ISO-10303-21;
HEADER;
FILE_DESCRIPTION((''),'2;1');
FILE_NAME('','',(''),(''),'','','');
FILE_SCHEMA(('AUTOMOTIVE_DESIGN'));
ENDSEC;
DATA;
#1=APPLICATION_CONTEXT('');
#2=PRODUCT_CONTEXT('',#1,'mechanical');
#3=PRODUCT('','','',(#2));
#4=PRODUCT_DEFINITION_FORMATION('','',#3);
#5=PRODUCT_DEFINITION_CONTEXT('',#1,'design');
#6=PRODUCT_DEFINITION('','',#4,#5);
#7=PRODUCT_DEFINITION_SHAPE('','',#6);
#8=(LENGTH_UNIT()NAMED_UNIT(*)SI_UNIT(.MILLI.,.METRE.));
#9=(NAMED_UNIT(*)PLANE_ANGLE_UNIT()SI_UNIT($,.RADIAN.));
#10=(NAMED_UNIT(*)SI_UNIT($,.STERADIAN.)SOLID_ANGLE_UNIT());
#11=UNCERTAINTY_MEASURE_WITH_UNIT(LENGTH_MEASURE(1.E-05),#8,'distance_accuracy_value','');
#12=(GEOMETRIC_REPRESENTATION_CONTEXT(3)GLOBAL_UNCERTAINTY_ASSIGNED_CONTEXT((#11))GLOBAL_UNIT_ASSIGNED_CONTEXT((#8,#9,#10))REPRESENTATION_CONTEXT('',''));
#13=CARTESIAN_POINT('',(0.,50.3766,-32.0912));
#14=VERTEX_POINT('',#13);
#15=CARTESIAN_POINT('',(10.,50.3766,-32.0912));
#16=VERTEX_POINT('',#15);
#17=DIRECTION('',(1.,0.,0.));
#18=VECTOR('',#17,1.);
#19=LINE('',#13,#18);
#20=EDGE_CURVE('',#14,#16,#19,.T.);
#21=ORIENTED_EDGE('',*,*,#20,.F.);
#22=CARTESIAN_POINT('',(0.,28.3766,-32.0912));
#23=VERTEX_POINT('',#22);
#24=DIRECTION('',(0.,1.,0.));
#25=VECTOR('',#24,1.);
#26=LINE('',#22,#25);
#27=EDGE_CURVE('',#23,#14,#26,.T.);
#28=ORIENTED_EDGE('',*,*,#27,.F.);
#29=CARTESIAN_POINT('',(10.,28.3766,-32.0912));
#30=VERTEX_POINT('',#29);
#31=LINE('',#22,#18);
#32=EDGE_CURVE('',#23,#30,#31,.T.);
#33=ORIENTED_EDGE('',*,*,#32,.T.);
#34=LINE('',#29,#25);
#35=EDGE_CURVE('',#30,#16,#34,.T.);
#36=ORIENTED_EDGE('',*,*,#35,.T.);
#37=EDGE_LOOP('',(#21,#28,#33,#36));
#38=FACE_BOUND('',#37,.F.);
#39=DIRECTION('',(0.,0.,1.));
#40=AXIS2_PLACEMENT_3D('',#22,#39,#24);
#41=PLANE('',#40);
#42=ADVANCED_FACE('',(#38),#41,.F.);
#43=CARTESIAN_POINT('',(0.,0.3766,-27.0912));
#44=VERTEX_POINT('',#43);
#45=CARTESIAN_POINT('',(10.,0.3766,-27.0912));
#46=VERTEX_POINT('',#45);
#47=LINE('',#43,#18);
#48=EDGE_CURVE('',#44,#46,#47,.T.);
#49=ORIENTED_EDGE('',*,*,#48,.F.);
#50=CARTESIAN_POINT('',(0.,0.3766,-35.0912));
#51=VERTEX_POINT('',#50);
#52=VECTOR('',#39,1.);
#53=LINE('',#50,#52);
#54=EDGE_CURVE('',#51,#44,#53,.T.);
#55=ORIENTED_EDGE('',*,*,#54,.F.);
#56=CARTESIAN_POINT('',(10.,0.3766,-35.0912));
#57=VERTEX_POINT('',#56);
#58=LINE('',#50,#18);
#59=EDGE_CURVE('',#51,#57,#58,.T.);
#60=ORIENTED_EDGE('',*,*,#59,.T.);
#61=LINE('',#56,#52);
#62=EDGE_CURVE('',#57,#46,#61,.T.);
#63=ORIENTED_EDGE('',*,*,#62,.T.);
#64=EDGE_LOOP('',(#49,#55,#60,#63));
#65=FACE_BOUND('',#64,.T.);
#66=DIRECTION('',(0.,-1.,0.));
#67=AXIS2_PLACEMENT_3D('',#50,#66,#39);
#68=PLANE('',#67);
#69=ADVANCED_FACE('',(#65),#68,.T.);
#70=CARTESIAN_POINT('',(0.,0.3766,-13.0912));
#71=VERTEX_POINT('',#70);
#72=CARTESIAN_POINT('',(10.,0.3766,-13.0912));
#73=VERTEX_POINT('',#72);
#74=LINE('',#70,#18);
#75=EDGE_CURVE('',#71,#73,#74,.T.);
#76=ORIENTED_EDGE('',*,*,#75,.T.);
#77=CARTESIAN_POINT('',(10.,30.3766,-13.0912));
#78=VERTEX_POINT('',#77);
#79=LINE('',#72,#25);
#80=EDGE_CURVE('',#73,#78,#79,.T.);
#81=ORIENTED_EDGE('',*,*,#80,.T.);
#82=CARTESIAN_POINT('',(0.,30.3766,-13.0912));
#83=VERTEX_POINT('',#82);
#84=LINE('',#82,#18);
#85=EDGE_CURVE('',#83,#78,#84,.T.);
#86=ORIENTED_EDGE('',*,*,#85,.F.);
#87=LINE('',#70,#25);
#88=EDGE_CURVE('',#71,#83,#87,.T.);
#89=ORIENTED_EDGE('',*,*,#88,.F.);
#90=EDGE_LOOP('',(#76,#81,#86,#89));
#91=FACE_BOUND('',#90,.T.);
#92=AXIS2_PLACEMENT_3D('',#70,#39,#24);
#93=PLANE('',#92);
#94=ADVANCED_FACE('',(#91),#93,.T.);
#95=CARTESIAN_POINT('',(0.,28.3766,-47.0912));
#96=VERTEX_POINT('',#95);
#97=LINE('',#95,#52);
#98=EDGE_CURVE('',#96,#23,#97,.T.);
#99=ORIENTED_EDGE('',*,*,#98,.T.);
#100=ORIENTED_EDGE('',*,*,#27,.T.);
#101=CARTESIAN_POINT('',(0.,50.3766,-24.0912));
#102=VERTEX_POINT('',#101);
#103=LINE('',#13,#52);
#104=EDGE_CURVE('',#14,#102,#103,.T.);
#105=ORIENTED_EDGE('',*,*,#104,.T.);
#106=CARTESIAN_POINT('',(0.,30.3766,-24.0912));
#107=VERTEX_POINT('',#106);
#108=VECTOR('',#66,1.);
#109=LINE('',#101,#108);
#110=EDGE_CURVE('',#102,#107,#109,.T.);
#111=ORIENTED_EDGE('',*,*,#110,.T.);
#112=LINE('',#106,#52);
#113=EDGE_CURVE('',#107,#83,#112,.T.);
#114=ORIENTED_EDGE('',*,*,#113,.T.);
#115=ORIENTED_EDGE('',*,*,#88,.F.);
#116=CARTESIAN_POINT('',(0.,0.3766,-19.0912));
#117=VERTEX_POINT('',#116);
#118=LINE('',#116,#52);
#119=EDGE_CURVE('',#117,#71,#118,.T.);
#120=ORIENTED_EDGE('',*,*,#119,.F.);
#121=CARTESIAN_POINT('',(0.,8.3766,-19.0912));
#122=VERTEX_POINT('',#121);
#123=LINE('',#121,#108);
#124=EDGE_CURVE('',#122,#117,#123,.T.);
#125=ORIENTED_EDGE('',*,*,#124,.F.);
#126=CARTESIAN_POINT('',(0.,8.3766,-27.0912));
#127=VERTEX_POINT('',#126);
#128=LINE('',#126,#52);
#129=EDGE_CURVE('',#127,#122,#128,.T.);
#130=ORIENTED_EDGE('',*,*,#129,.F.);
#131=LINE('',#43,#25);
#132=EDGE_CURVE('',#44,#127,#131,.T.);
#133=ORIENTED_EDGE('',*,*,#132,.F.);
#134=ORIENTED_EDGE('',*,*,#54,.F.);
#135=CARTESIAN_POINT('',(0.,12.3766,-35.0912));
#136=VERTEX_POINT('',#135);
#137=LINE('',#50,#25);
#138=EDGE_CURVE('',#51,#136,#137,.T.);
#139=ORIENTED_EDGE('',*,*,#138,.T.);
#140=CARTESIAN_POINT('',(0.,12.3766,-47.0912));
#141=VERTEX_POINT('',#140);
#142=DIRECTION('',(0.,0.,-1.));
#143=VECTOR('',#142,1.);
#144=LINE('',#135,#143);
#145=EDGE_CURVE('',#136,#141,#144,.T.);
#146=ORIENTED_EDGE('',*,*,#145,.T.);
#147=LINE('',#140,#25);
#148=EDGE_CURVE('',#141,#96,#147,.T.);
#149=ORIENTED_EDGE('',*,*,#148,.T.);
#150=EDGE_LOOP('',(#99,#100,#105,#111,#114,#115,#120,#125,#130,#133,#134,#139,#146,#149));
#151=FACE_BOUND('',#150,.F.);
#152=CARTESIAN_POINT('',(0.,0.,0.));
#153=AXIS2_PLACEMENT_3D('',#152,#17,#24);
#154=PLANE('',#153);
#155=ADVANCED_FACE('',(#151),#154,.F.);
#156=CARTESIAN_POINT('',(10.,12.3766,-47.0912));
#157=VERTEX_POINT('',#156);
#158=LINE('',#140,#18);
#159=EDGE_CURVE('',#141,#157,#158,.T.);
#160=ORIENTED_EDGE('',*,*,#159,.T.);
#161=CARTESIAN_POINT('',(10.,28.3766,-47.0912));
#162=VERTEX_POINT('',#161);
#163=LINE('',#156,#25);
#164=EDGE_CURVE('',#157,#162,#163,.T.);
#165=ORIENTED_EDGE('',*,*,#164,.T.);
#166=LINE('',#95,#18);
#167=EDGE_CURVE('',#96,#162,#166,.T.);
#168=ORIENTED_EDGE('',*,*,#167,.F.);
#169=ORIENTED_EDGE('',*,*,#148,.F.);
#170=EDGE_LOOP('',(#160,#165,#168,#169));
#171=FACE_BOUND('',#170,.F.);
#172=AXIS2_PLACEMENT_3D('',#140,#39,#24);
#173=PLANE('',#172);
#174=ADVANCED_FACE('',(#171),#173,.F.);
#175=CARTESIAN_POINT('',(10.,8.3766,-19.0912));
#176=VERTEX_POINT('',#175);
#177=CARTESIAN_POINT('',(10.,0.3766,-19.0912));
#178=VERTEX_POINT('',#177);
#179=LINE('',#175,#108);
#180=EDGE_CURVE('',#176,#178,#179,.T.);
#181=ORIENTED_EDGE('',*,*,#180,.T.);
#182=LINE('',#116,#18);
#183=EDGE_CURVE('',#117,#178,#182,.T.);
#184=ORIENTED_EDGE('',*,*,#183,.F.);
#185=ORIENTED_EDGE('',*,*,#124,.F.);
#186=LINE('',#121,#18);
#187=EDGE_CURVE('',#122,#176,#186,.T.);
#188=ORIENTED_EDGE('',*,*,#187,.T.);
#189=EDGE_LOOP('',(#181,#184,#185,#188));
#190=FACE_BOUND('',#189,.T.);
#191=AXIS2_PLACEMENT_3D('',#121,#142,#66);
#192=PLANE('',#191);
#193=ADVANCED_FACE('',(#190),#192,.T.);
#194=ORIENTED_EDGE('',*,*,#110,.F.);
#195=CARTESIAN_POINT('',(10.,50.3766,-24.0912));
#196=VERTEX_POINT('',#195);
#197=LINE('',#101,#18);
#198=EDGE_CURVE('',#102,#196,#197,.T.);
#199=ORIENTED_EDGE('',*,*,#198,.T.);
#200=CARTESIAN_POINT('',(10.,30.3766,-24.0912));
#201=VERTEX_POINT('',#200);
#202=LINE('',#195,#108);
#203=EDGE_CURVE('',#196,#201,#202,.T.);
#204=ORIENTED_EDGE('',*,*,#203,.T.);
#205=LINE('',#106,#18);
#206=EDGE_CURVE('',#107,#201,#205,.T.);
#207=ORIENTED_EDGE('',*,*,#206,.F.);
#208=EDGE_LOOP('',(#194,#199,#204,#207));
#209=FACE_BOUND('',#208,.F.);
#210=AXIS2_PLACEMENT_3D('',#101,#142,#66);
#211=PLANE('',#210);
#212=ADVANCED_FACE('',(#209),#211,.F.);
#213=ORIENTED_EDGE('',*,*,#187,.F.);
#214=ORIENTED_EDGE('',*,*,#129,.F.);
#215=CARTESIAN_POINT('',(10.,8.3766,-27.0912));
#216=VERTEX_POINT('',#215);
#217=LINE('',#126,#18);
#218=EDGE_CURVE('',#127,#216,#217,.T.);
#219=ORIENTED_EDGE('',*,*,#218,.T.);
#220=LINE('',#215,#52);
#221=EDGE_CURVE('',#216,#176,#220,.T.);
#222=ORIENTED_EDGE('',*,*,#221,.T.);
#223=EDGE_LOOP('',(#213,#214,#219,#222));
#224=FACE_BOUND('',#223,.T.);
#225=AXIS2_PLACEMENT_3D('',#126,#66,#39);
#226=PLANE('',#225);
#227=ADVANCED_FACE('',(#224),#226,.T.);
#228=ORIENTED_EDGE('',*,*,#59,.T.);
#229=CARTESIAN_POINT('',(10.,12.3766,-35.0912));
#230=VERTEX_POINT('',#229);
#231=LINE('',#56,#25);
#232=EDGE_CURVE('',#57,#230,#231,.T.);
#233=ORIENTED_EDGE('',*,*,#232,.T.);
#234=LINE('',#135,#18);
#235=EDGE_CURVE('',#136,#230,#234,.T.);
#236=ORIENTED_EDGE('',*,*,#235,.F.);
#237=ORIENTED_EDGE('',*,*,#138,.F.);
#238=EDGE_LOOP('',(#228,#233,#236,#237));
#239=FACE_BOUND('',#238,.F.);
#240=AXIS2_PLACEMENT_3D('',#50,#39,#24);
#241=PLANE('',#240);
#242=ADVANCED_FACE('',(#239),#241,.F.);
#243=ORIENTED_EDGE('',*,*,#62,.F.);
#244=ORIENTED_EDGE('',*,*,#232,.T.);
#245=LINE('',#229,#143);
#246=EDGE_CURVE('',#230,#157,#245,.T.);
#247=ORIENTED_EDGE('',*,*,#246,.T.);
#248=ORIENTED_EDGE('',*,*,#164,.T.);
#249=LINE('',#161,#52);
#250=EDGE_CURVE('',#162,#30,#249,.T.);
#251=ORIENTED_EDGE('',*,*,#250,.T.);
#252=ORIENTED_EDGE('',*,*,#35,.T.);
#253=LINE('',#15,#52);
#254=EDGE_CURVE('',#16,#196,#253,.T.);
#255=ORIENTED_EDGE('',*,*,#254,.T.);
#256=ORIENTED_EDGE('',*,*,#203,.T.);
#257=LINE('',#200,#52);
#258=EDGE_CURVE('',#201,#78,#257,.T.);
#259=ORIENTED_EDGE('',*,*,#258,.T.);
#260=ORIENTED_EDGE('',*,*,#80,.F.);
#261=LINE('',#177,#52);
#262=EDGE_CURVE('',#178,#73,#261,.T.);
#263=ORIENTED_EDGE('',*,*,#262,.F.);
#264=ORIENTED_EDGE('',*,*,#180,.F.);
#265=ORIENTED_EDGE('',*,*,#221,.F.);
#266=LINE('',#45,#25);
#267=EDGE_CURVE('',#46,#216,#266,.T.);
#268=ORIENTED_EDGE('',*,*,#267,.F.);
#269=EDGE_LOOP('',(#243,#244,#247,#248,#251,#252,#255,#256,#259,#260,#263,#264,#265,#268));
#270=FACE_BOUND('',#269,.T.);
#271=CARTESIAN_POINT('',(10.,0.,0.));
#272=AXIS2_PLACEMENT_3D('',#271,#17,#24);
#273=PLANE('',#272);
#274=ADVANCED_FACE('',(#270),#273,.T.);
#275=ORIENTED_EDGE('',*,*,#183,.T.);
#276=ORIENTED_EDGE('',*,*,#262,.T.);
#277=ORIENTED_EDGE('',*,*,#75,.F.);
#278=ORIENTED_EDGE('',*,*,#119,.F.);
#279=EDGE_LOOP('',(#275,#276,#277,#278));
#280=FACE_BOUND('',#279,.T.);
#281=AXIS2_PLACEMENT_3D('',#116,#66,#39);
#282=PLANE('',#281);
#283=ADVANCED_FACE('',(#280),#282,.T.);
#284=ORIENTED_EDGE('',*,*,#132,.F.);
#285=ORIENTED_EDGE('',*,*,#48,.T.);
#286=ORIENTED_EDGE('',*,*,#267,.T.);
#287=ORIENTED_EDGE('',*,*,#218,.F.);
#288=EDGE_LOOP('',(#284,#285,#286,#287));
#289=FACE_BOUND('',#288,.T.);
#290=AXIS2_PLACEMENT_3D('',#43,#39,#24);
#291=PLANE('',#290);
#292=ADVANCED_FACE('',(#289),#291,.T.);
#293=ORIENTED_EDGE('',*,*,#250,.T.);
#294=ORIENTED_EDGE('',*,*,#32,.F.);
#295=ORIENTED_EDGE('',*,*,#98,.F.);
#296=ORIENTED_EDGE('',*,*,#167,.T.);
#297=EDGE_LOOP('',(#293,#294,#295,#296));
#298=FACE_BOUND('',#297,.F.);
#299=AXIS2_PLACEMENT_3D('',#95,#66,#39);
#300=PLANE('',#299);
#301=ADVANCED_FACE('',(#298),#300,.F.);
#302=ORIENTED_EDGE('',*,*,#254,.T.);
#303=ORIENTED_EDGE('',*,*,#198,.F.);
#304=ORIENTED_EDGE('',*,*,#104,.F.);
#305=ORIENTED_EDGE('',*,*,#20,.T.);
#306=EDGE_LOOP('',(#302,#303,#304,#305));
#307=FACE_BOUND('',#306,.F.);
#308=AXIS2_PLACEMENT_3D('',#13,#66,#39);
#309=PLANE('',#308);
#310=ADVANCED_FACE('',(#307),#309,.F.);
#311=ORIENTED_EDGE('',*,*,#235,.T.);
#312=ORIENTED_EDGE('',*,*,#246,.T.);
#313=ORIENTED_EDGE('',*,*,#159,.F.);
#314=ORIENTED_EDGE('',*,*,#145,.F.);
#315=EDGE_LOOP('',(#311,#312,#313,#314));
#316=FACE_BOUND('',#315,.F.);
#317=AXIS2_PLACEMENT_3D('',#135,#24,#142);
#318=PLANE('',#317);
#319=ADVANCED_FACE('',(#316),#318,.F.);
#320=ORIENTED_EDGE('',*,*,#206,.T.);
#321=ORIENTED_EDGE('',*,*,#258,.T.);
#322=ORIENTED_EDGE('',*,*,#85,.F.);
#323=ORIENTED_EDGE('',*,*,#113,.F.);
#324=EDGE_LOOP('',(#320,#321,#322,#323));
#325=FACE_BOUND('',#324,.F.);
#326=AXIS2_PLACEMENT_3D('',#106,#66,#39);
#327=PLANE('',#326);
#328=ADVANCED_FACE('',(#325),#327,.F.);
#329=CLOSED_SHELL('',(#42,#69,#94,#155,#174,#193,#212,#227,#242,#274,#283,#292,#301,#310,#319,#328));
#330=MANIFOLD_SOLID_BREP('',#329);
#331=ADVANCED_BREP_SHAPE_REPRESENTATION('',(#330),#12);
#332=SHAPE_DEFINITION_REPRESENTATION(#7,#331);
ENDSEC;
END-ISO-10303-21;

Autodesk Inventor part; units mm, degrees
ref_plane "YZ Plane" through (0, 0, 0) normal (1, 0, 0) x (0, 1, 0)
ref_plane "XZ Plane" through (0, 0, 0) normal (0, 1, 0) x (-1, 0, 0)
ref_plane "XY Plane" through (0, 0, 0) normal (0, 0, 1) x (1, 0, 0)
sketch "Эскиз1" plane through (0, 0, 0) normal (1, 0, 0) x (0, 1, 0)
  line L0 (0.3766, -35.0912) -> (12.3766, -35.0912)
  line L1 (12.3766, -35.0912) -> (12.3766, -47.0912)
  line L2 (12.3766, -47.0912) -> (28.3766, -47.0912)
  line L3 (28.3766, -32.0912) -> (50.3766, -32.0912)
  line L4 (50.3766, -32.0912) -> (50.3766, -24.0912)
  line L5 (50.3766, -24.0912) -> (30.3766, -24.0912)
  line L6 (30.3766, -24.0912) -> (30.3766, -13.0912)
  line L7 (28.3766, -47.0912) -> (28.3766, -32.0912)
  line L8 (0.3766, -35.0912) -> (0.3766, -27.0912)
  line L9 (0.3766, -27.0912) -> (8.3766, -27.0912)
  line L10 (8.3766, -27.0912) -> (8.3766, -19.0912)
  line L11 (8.3766, -19.0912) -> (0.3766, -19.0912)
  line L12 (0.3766, -19.0912) -> (0.3766, -13.0912)
  line L13 (0.3766, -13.0912) -> (30.3766, -13.0912)
  point P0 (0, 0)
  point P1 (-47.0655, -24.8908)
extrude "Выдавливание1" add sketch "Эскиз1" along normal blind 10
equation "\"Радиус_гибки\" = Толщина"
equation "\"Ширина_просечки\" = Толщина"
equation "\"Глубина_просечки\" = 0.5 * Толщина"
equation "\"Размер_просечки\" = 4 * Толщина"
equation "\"Мин_остаток\" = 2 * Толщина"
equation "\"Радиус_перехода\" = Радиус_гибки"
equation "\"Радиус_Якоби\" = Радиус_гибки"
equation "\"Размер_зазора\" = Толщина"
equation "\"Толщина\" = 0.5"
